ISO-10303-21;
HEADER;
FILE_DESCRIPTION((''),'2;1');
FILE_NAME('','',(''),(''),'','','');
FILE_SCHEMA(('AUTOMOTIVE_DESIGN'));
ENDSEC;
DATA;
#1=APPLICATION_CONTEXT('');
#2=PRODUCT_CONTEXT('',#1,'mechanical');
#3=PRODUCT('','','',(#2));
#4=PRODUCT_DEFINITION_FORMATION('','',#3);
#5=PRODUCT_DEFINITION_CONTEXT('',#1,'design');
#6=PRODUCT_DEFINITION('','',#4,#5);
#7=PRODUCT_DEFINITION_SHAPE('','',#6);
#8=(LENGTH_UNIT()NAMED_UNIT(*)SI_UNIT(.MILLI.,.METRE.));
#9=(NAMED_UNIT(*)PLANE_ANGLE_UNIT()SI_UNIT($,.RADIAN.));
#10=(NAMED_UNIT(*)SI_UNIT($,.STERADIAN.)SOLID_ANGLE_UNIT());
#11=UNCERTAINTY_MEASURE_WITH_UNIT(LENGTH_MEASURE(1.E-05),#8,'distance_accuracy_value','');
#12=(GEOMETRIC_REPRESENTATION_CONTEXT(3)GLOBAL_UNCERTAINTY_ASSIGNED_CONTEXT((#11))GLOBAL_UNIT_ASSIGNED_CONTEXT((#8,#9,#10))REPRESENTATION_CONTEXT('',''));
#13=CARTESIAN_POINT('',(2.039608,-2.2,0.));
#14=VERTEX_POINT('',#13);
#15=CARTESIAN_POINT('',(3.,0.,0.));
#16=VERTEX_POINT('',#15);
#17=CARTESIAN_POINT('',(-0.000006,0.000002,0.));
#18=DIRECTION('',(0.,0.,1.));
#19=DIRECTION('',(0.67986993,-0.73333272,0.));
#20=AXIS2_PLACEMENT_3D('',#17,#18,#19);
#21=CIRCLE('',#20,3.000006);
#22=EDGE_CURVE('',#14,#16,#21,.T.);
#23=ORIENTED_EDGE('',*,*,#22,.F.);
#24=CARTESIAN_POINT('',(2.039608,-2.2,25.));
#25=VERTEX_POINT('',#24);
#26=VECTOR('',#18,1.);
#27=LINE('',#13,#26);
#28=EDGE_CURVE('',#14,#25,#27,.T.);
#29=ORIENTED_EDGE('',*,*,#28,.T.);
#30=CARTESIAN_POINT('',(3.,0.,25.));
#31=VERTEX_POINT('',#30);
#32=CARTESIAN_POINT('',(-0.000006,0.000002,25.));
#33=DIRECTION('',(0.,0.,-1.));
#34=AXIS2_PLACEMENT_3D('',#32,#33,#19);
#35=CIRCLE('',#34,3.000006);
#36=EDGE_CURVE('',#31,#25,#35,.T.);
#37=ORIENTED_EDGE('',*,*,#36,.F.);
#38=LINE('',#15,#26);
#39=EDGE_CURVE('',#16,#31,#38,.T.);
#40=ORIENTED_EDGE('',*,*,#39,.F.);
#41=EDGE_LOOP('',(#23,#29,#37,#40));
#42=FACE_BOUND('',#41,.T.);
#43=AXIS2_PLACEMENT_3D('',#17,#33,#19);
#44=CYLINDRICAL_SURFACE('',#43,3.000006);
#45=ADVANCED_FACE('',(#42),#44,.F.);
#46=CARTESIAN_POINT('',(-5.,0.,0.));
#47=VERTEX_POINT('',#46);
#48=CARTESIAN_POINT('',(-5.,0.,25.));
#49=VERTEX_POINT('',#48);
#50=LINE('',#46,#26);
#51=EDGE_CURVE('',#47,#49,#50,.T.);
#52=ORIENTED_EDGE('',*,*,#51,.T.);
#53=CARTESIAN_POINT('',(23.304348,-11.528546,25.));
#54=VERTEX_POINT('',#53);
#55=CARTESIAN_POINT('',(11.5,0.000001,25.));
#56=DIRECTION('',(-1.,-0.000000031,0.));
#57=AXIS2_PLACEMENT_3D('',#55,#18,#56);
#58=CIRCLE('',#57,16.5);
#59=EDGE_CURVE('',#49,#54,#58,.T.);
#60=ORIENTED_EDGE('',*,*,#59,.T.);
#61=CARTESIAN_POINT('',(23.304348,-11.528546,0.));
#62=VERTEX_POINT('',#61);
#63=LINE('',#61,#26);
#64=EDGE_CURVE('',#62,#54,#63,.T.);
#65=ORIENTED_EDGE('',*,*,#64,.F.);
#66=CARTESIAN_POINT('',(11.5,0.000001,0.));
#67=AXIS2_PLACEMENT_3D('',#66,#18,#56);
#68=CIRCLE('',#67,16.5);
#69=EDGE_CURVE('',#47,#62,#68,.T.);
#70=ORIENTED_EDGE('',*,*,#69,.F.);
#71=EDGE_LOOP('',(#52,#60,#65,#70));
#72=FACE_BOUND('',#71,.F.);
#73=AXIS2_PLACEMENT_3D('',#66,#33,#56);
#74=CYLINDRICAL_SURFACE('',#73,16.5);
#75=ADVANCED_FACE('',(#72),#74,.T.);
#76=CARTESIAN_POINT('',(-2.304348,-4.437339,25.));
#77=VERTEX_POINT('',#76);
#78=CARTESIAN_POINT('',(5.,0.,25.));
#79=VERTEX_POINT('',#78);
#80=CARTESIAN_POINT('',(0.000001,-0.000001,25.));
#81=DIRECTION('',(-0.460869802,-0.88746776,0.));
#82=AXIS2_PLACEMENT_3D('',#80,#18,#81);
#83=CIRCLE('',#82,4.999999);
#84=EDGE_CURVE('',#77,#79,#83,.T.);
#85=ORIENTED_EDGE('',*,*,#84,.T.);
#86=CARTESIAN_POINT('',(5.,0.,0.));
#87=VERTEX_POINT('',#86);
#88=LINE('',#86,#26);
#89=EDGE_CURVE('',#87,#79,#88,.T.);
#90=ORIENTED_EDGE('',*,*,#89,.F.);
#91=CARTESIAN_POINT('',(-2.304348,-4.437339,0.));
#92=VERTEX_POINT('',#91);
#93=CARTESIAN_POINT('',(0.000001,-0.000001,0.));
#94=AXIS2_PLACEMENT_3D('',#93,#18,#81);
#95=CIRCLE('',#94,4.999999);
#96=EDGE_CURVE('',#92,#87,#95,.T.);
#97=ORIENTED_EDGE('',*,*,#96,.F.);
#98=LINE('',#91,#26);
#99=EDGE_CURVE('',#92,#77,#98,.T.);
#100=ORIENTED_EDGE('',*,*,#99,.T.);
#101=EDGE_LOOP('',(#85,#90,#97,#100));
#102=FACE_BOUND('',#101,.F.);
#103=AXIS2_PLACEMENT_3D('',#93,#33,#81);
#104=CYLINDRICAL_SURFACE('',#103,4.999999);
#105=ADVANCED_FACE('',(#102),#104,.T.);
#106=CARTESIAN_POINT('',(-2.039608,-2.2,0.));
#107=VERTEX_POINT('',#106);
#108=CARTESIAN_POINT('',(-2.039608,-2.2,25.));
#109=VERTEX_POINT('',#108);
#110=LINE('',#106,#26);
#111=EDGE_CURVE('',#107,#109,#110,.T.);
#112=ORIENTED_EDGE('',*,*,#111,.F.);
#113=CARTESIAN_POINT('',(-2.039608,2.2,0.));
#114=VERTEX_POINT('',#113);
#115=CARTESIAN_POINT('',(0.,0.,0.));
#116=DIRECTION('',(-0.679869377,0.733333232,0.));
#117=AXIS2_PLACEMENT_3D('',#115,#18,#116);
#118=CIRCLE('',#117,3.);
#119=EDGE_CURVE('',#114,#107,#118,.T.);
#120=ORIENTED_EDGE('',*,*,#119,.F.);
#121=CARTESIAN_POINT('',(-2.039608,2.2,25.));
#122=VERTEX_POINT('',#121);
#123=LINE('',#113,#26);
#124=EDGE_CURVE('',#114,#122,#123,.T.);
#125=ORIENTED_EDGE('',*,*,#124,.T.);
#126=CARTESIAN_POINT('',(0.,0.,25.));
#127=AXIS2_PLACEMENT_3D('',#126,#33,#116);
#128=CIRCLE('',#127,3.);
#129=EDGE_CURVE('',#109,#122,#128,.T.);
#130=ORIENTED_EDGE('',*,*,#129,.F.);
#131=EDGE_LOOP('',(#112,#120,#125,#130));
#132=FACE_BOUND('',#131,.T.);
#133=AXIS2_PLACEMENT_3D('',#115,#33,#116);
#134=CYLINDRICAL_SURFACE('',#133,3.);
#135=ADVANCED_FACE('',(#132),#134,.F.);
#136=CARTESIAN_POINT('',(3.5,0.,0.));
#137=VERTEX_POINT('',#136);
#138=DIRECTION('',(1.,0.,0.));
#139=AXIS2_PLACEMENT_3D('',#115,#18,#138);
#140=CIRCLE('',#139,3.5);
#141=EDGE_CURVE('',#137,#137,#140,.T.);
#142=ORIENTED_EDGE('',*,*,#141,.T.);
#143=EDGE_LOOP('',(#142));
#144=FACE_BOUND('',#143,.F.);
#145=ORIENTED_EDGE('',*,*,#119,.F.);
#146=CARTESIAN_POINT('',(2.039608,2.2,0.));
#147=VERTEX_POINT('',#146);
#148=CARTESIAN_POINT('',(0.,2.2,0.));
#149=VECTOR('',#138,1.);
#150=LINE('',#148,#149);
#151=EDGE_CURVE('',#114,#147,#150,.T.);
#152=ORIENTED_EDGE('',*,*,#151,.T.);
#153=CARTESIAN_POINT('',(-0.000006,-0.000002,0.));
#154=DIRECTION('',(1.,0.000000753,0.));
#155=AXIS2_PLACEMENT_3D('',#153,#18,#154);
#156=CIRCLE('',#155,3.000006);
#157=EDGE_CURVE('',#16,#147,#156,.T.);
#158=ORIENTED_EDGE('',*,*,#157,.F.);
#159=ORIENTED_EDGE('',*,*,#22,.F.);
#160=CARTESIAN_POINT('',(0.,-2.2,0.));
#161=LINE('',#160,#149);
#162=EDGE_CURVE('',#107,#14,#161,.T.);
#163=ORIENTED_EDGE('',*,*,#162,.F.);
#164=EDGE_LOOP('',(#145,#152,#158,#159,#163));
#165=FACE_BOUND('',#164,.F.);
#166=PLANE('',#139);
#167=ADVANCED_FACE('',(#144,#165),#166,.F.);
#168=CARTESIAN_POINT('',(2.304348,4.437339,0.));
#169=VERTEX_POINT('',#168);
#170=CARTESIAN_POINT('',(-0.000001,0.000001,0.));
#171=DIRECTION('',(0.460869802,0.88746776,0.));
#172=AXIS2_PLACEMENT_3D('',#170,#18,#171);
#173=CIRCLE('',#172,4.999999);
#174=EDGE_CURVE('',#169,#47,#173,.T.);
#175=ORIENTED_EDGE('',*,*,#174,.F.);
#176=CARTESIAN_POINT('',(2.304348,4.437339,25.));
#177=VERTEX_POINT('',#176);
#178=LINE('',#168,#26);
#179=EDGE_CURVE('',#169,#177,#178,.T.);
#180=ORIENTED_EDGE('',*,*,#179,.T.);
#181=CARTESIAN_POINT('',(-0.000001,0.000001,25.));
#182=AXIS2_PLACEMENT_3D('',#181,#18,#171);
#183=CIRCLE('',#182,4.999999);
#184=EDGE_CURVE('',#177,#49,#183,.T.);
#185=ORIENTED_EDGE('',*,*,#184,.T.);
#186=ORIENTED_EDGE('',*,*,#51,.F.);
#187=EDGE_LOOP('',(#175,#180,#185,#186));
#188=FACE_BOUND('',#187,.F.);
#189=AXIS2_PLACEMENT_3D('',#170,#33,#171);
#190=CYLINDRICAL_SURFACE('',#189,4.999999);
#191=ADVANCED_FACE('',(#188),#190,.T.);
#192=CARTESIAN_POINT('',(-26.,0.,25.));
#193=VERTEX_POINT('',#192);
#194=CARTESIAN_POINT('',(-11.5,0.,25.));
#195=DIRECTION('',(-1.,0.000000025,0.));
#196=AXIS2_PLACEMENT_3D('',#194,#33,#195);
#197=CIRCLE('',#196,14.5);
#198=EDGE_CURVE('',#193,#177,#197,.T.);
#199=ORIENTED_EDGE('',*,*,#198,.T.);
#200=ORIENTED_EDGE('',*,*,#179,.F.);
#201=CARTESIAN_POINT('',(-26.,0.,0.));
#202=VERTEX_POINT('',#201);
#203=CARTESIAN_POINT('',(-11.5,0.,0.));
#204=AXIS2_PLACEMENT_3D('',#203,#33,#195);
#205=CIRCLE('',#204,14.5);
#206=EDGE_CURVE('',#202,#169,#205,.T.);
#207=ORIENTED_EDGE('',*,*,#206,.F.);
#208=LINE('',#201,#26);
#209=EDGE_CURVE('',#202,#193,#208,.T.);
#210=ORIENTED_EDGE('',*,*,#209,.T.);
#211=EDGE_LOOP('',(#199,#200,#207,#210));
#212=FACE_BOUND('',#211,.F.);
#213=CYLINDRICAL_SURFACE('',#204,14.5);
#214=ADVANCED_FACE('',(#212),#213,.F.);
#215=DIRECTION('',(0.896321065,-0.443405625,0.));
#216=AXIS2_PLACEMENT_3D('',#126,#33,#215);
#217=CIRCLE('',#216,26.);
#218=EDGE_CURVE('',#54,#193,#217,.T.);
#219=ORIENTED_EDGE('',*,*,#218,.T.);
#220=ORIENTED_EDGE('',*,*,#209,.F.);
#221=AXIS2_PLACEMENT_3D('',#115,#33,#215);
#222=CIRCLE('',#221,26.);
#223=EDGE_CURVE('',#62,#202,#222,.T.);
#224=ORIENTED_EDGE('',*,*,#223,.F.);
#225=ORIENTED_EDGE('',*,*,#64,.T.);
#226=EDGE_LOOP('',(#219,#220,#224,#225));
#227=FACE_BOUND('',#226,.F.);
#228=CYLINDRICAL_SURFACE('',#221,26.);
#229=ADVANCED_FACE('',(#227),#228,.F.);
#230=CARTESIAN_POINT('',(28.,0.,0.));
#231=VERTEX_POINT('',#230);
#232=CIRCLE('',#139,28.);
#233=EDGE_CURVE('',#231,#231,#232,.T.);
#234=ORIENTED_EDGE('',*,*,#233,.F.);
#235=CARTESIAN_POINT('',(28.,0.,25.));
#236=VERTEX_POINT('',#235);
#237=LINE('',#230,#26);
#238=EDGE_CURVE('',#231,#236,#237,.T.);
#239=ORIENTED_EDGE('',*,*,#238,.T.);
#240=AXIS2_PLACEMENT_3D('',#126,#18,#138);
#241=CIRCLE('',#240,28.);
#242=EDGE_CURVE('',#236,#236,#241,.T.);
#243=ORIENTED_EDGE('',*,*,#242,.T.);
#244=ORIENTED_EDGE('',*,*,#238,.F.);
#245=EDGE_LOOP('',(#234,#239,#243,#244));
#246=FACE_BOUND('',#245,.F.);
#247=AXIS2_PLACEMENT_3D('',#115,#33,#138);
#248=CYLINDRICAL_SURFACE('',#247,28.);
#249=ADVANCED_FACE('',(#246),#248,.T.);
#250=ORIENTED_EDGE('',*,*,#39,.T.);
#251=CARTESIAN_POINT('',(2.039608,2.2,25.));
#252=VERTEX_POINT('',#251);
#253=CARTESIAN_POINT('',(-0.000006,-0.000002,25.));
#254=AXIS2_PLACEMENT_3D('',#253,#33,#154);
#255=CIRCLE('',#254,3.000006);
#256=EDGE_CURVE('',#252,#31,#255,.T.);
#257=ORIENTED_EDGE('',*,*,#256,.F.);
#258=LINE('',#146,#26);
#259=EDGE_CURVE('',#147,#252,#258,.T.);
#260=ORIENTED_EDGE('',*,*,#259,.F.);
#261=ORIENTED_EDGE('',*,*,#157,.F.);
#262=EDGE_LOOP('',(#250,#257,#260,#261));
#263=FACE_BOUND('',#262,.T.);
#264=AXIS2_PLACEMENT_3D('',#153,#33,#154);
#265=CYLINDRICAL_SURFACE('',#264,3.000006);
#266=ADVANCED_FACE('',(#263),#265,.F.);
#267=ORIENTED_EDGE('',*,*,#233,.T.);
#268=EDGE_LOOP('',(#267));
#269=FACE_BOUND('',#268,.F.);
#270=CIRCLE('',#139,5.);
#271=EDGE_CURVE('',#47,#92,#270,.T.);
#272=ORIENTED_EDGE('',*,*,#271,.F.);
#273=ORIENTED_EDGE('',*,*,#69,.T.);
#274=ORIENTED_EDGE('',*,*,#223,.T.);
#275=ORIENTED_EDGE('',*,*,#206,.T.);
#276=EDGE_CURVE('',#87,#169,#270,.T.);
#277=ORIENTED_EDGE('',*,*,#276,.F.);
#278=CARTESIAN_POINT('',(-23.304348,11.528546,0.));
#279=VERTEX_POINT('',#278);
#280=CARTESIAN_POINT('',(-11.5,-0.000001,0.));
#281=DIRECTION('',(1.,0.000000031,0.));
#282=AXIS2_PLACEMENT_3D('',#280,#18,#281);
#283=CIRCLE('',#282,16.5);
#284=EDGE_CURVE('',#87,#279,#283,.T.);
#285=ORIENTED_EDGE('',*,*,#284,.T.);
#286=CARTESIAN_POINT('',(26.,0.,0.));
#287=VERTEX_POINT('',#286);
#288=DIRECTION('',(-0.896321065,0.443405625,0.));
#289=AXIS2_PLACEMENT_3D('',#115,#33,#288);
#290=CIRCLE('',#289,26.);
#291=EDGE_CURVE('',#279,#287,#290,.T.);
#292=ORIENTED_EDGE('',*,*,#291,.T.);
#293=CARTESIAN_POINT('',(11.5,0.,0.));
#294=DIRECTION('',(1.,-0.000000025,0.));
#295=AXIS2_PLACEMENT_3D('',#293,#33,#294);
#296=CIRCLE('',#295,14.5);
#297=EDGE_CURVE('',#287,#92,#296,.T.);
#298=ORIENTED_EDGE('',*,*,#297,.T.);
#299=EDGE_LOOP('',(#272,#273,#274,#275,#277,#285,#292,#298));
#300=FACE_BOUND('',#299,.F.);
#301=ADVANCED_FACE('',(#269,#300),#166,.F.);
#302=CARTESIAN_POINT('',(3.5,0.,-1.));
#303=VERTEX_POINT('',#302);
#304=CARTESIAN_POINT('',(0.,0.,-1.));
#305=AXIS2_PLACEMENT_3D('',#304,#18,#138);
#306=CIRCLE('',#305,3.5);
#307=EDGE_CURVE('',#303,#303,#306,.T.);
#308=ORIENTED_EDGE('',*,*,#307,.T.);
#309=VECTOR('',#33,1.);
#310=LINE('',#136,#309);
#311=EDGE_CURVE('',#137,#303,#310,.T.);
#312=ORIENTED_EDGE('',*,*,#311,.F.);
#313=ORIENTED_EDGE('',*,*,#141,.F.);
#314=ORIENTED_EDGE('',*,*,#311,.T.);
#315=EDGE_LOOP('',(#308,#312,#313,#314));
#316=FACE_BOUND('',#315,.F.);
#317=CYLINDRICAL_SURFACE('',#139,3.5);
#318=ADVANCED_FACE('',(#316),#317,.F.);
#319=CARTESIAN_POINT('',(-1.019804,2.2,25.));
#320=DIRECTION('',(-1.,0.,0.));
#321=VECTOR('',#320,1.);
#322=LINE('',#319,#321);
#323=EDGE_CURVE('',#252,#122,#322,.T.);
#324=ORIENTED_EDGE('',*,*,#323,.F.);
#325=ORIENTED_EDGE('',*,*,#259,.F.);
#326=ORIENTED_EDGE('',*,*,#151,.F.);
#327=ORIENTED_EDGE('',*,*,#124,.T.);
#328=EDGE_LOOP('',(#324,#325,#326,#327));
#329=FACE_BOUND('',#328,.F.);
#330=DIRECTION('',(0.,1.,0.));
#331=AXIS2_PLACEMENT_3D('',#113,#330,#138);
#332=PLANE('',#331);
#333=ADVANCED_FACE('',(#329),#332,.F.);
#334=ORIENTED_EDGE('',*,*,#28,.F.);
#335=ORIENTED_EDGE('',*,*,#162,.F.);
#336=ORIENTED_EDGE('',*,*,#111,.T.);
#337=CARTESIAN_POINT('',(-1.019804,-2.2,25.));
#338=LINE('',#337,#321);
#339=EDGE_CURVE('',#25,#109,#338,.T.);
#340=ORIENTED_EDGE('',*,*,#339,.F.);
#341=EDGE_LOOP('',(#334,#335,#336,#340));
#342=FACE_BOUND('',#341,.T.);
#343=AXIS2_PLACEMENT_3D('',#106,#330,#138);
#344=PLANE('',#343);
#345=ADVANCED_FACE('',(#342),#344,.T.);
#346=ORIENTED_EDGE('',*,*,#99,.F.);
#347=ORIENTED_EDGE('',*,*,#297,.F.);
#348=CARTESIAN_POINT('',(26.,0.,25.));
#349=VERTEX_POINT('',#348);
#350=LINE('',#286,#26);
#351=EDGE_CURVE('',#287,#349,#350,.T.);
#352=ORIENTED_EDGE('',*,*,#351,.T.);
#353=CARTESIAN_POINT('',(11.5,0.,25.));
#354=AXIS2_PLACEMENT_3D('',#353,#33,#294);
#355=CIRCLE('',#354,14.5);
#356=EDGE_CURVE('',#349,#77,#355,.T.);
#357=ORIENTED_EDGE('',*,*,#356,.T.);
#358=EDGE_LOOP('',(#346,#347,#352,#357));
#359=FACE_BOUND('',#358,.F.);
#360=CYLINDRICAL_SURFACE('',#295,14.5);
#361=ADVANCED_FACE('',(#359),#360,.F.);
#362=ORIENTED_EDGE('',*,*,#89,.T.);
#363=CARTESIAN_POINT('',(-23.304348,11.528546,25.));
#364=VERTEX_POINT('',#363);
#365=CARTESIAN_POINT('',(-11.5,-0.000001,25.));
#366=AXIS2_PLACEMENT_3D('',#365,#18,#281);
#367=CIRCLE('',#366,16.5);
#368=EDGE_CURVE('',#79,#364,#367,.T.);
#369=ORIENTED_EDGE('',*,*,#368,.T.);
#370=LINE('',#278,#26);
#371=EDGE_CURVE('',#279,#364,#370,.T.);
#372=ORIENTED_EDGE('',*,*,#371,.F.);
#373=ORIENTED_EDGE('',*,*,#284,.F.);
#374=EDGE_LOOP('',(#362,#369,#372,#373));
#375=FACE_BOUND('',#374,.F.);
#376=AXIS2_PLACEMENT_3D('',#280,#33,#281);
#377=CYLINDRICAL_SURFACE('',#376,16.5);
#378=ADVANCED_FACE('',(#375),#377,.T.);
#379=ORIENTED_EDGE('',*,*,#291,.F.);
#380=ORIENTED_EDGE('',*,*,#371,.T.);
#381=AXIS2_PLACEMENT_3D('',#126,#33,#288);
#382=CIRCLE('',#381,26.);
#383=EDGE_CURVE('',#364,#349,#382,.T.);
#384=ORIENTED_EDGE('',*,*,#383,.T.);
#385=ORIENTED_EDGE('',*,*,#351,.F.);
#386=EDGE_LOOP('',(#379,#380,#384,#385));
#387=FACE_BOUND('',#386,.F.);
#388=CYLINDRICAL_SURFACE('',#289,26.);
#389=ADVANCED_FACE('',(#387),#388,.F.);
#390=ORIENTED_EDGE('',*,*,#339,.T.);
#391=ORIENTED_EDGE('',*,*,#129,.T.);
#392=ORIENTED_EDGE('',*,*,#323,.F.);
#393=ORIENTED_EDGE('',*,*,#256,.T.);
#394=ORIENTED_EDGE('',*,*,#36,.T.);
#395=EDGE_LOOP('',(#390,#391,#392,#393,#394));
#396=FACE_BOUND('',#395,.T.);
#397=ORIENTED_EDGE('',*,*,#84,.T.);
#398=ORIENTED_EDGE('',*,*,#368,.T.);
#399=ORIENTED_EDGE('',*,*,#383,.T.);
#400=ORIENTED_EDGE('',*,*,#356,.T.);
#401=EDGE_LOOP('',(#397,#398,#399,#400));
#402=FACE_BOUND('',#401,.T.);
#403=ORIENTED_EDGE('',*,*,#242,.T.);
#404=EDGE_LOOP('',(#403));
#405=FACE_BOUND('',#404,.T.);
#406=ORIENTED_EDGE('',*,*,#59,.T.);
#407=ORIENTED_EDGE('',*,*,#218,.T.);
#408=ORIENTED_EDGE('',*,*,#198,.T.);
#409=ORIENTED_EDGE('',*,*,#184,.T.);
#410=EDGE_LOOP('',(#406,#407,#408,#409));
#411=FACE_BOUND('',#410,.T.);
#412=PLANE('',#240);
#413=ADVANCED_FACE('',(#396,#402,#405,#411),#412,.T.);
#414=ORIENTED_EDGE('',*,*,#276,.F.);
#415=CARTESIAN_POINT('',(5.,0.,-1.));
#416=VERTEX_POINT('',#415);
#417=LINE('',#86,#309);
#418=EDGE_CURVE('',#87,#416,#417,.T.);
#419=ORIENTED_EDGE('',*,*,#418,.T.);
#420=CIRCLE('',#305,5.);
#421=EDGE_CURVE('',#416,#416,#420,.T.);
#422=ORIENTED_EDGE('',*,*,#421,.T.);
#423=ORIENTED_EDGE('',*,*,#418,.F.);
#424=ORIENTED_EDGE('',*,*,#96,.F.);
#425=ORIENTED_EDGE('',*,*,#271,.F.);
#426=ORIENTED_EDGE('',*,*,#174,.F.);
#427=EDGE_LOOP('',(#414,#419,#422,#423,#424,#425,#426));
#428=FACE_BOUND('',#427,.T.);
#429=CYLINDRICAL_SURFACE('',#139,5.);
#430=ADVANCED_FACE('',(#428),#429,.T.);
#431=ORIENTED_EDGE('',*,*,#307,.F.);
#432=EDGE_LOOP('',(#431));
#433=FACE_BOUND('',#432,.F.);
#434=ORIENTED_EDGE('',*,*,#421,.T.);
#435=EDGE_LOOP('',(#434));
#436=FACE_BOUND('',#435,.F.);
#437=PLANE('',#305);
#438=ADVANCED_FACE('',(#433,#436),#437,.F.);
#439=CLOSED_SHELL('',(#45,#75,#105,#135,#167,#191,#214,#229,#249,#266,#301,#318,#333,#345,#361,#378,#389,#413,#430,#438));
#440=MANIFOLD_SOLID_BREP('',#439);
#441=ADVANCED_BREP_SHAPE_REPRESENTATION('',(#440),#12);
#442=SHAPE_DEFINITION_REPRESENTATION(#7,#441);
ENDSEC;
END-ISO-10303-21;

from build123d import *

# Parameters (mm, degrees)
F0_R     = 28
F1_DEPTH = 25
F2_W     = 4.079216
F2_H     = 4.4
F3_DEPTH = 30
F4_R     = 5
F4_R_2   = 3.5
F5_DEPTH = 1


with BuildPart() as f1:
    # F0 (on Top) → F1 (new body)
    with BuildSketch(Plane.XY):
        Circle(F0_R)
        with BuildLine():
            ThreePointArc((23.304348, -11.528546), (-5.919753, -25.317119), (-26, 0))
            ThreePointArc((-26, 0), (-13.745769, 14.325031), (2.304348, 4.437339))
            ThreePointArc((2.304348, 4.437339), (-2.595984, 4.273274), (-5, 0))
            ThreePointArc((-5, 0), (5.275923, -15.281062), (23.304348, -11.528546))
        make_face(mode=Mode.SUBTRACT)
        with BuildLine():
            ThreePointArc((-2.304348, -4.437339), (2.595984, -4.273274), (5, 0))
            ThreePointArc((5, 0), (-5.275923, 15.281062), (-23.304348, 11.528546))
            ThreePointArc((-23.304348, 11.528546), (5.919753, 25.317119), (26, 0))
            ThreePointArc((26, 0), (13.745769, -14.325031), (-2.304348, -4.437339))
        make_face(mode=Mode.SUBTRACT)
    extrude(amount=F1_DEPTH)

    # F2 (on Top) → F3 (cut)
    with BuildSketch(Plane.XY):
        with BuildLine():
            Line((-2.039608, -2.2), (-2.039608, 2.2))
            ThreePointArc((-2.039608, 2.2), (-3, 0), (-2.039608, -2.2))
        make_face()
        Rectangle(F2_W, F2_H)
        with BuildLine():
            ThreePointArc((2.039608, -2.2), (2.749438, -1.200245), (3, 0))
            ThreePointArc((3, 0), (2.749438, 1.200245), (2.039608, 2.2))
            Line((2.039608, 2.2), (2.039608, -2.2))
        make_face()
    extrude(amount=F3_DEPTH, mode=Mode.SUBTRACT)

    # F4 (on Top) → F5 (join)
    with BuildSketch(Plane.XY):
        Circle(F4_R)
        Circle(F4_R_2, mode=Mode.SUBTRACT)
    extrude(amount=-F5_DEPTH)


solid = f1.part
